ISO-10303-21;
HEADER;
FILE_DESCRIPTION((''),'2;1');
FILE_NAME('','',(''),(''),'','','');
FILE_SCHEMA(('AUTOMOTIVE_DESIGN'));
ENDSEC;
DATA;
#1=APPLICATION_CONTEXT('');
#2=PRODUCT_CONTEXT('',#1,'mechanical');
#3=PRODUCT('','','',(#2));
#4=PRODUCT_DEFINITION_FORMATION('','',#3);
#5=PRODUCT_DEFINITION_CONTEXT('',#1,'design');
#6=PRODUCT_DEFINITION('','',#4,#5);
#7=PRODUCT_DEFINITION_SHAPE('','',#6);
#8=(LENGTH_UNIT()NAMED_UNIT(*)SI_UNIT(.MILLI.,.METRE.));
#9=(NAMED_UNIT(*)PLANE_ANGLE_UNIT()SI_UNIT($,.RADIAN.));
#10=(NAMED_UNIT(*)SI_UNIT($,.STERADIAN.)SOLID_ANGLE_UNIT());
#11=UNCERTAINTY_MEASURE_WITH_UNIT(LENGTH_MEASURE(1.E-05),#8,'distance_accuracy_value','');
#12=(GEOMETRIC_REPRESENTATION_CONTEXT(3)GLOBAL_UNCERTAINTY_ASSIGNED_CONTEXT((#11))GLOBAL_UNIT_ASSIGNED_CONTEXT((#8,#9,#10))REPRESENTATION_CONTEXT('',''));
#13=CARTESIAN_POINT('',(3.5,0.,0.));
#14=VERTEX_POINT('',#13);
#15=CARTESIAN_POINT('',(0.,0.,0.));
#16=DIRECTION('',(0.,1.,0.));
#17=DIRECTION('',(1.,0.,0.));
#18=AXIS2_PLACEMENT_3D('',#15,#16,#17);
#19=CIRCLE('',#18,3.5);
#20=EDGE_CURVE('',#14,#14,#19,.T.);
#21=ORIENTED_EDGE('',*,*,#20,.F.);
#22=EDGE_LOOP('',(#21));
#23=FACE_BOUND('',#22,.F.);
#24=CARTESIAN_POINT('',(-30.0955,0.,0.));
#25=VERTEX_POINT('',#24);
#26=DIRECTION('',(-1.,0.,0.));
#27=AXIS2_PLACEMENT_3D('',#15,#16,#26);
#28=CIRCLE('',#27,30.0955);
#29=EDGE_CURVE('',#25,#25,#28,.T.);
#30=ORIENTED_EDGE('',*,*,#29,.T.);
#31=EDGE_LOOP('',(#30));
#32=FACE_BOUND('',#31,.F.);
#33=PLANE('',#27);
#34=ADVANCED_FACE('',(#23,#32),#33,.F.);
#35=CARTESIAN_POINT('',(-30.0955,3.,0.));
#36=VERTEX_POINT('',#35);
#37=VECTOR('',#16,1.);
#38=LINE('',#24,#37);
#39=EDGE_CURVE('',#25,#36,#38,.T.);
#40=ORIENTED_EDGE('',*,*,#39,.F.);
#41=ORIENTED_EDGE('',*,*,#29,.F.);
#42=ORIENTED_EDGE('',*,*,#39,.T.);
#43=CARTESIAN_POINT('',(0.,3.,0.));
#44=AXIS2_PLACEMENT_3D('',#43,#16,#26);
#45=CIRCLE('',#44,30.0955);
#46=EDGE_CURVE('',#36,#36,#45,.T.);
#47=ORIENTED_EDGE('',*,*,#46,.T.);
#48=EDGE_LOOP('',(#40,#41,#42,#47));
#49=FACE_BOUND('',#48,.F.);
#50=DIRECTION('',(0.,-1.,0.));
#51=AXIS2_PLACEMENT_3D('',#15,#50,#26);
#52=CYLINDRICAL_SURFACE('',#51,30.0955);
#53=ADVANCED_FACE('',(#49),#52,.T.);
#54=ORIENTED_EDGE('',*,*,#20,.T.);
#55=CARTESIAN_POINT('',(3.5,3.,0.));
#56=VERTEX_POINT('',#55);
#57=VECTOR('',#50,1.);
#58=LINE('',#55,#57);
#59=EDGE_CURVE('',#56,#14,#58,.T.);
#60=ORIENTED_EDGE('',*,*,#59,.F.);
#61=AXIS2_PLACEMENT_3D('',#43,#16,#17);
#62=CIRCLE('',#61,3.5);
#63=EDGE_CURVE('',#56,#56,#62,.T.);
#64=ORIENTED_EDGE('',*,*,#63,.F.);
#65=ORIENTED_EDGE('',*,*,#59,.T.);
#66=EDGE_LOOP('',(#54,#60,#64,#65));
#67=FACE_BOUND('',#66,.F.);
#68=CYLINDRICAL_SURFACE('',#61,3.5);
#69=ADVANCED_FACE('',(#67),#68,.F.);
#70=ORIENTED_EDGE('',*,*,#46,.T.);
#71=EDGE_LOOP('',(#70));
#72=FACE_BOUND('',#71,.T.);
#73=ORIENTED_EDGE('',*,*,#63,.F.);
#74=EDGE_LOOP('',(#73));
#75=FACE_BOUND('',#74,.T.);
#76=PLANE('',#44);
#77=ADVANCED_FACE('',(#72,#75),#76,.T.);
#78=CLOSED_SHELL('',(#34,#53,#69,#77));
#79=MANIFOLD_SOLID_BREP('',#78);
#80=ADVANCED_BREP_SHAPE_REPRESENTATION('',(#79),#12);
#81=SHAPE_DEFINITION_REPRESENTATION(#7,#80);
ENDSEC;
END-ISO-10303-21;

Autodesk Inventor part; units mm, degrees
ref_plane "YZ Plane" through (0, 0, 0) normal (1, 0, 0) x (0, 1, 0)
ref_plane "XZ Plane" through (0, 0, 0) normal (0, 1, 0) x (-1, 0, 0)
ref_plane "XY Plane" through (0, 0, 0) normal (0, 0, 1) x (1, 0, 0)
sketch "Sketch1" plane through (0, 0, 0) normal (0, 1, 0) x (-1, 0, 0)
  circle A0 centre (0, 0) radius 30.0955
  dimension "d0" = 60.191
extrude "Extrusion1" add sketch "Sketch1" along normal blind 3
sketch "Sketch2" plane through (0, 3, 0) normal (0, 1, 0) x (1, 0, 0)
  circle A0 centre (0, 0) radius 30.0955 projected
  circle A1 centre (0, 0) radius 3.5
  dimension "d3" = 7
extrude "Extrusion2" cut sketch "Sketch2" against normal blind 3 contours A1
properties part number "velke_kolecko_rameno_otaceni"
